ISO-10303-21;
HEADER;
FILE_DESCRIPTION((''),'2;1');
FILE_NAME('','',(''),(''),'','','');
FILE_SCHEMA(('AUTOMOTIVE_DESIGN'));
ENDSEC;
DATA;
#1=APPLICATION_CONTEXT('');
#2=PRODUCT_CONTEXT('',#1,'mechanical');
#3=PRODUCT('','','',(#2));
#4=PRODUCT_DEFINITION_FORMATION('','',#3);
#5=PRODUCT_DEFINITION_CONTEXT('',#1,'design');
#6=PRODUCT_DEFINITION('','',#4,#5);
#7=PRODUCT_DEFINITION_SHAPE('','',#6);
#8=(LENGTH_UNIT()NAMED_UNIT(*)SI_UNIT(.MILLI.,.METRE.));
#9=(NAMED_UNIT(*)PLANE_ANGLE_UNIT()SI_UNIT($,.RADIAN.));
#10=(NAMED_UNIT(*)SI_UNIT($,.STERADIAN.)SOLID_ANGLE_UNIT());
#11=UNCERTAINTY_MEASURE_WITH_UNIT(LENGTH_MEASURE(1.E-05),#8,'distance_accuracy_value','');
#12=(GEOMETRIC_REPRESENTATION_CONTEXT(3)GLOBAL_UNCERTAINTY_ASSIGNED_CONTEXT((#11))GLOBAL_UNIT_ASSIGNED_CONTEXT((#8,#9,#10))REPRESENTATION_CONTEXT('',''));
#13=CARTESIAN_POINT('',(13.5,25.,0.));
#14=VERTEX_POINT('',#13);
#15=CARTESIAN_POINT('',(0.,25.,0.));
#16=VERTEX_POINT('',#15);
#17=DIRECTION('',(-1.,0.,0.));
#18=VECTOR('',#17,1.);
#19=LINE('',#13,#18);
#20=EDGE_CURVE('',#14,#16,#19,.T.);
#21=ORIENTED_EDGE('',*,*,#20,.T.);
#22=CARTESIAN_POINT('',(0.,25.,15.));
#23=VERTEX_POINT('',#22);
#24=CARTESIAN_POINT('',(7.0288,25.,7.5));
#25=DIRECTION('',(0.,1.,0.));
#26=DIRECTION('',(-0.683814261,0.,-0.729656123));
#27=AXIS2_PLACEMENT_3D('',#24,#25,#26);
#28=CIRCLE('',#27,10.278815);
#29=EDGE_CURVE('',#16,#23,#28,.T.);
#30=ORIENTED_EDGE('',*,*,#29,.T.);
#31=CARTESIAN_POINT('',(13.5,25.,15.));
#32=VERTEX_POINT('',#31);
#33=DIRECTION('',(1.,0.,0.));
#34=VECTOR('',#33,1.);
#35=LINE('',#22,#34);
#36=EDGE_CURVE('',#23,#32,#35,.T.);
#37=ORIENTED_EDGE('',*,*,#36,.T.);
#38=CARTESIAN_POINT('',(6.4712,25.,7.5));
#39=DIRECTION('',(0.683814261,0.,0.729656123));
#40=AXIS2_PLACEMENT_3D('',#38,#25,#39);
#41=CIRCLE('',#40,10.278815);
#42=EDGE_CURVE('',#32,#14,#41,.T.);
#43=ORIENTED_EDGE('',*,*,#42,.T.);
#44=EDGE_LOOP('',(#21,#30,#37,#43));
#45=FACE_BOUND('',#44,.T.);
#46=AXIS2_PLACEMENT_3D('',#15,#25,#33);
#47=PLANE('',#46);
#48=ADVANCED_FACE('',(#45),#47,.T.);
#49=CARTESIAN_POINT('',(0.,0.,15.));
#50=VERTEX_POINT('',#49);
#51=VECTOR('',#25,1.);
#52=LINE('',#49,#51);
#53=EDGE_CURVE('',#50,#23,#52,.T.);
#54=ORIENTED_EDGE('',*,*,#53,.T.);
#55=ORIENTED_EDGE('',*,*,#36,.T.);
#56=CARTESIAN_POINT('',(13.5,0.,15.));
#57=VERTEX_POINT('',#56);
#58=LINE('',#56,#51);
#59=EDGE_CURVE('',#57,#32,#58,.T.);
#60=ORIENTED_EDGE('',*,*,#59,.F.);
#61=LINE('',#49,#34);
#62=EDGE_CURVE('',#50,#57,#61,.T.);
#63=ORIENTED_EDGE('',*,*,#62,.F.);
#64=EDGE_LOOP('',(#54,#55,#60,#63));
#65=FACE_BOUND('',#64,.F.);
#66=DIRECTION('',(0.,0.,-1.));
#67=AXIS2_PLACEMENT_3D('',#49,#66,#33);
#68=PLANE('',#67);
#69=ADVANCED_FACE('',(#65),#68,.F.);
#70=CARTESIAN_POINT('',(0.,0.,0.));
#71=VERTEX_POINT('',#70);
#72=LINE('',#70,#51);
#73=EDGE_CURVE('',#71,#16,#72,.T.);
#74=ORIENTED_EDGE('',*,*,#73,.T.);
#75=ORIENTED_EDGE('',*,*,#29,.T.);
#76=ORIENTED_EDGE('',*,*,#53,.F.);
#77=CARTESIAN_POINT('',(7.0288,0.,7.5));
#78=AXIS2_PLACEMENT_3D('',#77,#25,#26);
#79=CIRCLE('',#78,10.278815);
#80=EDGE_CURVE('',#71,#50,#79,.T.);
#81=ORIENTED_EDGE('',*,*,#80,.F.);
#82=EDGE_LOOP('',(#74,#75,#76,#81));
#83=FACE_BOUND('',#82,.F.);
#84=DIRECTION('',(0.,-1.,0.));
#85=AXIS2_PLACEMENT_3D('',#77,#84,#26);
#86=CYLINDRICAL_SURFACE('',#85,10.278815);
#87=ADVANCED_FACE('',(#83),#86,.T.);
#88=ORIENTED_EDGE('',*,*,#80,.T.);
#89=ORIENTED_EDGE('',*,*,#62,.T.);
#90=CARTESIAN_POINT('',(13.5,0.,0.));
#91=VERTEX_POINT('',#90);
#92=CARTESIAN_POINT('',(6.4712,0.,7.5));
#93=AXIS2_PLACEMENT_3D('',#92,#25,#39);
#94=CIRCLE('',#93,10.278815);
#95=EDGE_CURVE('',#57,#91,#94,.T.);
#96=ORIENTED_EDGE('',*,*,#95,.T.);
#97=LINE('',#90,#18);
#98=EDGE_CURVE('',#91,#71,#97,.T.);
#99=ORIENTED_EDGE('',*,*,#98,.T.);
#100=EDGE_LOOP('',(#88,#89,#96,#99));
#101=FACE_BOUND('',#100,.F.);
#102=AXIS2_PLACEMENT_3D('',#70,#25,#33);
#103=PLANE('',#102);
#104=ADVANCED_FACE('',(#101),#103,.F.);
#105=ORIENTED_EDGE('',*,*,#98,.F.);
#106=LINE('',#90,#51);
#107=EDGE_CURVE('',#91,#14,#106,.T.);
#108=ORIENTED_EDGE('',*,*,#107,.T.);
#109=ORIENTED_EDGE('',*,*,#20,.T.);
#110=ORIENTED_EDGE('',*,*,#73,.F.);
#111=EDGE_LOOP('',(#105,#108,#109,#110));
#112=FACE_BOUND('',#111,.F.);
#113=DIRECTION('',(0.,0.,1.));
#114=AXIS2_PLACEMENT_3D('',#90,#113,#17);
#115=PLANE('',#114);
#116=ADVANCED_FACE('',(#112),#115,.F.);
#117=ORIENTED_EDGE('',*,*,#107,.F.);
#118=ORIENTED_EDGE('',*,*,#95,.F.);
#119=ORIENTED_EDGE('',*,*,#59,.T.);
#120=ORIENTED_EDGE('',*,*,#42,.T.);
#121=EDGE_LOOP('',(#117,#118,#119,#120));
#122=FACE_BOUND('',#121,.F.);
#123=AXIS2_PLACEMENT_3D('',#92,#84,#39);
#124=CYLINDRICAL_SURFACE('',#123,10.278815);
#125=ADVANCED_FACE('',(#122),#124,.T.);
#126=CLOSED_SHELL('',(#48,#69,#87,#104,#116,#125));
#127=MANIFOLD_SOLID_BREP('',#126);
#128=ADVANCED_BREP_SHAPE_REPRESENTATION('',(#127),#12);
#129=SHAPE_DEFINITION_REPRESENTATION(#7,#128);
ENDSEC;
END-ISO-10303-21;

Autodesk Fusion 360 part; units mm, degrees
sketch "Sketch1" plane through (0, 0, 0) normal (0, 1, 0) x (1, 0, 0)
  line L0 (0, 0) -> (0, -15) construction
  line L1 (0, -15) -> (13.5, -15)
  line L2 (13.5, -15) -> (13.5, 0) construction
  line L3 (13.5, 0) -> (0, 0)
  line L4 (13.5, -7.5) -> (16.75, -7.5) construction
  line L5 (0, -7.5) -> (-3.25, -7.5) construction
  arc A0 (0, 0) -> (0, -15) centre (7.0288, -7.5) ccw
  arc A1 (13.5, -15) -> (13.5, 0) centre (6.4712, -7.5) ccw
  dimension "d1" = 13.5
  dimension "d2" = 3.25
  dimension "d3" = 3.25
extrude "Extrude1" add sketch "Sketch1" along normal blind 25
